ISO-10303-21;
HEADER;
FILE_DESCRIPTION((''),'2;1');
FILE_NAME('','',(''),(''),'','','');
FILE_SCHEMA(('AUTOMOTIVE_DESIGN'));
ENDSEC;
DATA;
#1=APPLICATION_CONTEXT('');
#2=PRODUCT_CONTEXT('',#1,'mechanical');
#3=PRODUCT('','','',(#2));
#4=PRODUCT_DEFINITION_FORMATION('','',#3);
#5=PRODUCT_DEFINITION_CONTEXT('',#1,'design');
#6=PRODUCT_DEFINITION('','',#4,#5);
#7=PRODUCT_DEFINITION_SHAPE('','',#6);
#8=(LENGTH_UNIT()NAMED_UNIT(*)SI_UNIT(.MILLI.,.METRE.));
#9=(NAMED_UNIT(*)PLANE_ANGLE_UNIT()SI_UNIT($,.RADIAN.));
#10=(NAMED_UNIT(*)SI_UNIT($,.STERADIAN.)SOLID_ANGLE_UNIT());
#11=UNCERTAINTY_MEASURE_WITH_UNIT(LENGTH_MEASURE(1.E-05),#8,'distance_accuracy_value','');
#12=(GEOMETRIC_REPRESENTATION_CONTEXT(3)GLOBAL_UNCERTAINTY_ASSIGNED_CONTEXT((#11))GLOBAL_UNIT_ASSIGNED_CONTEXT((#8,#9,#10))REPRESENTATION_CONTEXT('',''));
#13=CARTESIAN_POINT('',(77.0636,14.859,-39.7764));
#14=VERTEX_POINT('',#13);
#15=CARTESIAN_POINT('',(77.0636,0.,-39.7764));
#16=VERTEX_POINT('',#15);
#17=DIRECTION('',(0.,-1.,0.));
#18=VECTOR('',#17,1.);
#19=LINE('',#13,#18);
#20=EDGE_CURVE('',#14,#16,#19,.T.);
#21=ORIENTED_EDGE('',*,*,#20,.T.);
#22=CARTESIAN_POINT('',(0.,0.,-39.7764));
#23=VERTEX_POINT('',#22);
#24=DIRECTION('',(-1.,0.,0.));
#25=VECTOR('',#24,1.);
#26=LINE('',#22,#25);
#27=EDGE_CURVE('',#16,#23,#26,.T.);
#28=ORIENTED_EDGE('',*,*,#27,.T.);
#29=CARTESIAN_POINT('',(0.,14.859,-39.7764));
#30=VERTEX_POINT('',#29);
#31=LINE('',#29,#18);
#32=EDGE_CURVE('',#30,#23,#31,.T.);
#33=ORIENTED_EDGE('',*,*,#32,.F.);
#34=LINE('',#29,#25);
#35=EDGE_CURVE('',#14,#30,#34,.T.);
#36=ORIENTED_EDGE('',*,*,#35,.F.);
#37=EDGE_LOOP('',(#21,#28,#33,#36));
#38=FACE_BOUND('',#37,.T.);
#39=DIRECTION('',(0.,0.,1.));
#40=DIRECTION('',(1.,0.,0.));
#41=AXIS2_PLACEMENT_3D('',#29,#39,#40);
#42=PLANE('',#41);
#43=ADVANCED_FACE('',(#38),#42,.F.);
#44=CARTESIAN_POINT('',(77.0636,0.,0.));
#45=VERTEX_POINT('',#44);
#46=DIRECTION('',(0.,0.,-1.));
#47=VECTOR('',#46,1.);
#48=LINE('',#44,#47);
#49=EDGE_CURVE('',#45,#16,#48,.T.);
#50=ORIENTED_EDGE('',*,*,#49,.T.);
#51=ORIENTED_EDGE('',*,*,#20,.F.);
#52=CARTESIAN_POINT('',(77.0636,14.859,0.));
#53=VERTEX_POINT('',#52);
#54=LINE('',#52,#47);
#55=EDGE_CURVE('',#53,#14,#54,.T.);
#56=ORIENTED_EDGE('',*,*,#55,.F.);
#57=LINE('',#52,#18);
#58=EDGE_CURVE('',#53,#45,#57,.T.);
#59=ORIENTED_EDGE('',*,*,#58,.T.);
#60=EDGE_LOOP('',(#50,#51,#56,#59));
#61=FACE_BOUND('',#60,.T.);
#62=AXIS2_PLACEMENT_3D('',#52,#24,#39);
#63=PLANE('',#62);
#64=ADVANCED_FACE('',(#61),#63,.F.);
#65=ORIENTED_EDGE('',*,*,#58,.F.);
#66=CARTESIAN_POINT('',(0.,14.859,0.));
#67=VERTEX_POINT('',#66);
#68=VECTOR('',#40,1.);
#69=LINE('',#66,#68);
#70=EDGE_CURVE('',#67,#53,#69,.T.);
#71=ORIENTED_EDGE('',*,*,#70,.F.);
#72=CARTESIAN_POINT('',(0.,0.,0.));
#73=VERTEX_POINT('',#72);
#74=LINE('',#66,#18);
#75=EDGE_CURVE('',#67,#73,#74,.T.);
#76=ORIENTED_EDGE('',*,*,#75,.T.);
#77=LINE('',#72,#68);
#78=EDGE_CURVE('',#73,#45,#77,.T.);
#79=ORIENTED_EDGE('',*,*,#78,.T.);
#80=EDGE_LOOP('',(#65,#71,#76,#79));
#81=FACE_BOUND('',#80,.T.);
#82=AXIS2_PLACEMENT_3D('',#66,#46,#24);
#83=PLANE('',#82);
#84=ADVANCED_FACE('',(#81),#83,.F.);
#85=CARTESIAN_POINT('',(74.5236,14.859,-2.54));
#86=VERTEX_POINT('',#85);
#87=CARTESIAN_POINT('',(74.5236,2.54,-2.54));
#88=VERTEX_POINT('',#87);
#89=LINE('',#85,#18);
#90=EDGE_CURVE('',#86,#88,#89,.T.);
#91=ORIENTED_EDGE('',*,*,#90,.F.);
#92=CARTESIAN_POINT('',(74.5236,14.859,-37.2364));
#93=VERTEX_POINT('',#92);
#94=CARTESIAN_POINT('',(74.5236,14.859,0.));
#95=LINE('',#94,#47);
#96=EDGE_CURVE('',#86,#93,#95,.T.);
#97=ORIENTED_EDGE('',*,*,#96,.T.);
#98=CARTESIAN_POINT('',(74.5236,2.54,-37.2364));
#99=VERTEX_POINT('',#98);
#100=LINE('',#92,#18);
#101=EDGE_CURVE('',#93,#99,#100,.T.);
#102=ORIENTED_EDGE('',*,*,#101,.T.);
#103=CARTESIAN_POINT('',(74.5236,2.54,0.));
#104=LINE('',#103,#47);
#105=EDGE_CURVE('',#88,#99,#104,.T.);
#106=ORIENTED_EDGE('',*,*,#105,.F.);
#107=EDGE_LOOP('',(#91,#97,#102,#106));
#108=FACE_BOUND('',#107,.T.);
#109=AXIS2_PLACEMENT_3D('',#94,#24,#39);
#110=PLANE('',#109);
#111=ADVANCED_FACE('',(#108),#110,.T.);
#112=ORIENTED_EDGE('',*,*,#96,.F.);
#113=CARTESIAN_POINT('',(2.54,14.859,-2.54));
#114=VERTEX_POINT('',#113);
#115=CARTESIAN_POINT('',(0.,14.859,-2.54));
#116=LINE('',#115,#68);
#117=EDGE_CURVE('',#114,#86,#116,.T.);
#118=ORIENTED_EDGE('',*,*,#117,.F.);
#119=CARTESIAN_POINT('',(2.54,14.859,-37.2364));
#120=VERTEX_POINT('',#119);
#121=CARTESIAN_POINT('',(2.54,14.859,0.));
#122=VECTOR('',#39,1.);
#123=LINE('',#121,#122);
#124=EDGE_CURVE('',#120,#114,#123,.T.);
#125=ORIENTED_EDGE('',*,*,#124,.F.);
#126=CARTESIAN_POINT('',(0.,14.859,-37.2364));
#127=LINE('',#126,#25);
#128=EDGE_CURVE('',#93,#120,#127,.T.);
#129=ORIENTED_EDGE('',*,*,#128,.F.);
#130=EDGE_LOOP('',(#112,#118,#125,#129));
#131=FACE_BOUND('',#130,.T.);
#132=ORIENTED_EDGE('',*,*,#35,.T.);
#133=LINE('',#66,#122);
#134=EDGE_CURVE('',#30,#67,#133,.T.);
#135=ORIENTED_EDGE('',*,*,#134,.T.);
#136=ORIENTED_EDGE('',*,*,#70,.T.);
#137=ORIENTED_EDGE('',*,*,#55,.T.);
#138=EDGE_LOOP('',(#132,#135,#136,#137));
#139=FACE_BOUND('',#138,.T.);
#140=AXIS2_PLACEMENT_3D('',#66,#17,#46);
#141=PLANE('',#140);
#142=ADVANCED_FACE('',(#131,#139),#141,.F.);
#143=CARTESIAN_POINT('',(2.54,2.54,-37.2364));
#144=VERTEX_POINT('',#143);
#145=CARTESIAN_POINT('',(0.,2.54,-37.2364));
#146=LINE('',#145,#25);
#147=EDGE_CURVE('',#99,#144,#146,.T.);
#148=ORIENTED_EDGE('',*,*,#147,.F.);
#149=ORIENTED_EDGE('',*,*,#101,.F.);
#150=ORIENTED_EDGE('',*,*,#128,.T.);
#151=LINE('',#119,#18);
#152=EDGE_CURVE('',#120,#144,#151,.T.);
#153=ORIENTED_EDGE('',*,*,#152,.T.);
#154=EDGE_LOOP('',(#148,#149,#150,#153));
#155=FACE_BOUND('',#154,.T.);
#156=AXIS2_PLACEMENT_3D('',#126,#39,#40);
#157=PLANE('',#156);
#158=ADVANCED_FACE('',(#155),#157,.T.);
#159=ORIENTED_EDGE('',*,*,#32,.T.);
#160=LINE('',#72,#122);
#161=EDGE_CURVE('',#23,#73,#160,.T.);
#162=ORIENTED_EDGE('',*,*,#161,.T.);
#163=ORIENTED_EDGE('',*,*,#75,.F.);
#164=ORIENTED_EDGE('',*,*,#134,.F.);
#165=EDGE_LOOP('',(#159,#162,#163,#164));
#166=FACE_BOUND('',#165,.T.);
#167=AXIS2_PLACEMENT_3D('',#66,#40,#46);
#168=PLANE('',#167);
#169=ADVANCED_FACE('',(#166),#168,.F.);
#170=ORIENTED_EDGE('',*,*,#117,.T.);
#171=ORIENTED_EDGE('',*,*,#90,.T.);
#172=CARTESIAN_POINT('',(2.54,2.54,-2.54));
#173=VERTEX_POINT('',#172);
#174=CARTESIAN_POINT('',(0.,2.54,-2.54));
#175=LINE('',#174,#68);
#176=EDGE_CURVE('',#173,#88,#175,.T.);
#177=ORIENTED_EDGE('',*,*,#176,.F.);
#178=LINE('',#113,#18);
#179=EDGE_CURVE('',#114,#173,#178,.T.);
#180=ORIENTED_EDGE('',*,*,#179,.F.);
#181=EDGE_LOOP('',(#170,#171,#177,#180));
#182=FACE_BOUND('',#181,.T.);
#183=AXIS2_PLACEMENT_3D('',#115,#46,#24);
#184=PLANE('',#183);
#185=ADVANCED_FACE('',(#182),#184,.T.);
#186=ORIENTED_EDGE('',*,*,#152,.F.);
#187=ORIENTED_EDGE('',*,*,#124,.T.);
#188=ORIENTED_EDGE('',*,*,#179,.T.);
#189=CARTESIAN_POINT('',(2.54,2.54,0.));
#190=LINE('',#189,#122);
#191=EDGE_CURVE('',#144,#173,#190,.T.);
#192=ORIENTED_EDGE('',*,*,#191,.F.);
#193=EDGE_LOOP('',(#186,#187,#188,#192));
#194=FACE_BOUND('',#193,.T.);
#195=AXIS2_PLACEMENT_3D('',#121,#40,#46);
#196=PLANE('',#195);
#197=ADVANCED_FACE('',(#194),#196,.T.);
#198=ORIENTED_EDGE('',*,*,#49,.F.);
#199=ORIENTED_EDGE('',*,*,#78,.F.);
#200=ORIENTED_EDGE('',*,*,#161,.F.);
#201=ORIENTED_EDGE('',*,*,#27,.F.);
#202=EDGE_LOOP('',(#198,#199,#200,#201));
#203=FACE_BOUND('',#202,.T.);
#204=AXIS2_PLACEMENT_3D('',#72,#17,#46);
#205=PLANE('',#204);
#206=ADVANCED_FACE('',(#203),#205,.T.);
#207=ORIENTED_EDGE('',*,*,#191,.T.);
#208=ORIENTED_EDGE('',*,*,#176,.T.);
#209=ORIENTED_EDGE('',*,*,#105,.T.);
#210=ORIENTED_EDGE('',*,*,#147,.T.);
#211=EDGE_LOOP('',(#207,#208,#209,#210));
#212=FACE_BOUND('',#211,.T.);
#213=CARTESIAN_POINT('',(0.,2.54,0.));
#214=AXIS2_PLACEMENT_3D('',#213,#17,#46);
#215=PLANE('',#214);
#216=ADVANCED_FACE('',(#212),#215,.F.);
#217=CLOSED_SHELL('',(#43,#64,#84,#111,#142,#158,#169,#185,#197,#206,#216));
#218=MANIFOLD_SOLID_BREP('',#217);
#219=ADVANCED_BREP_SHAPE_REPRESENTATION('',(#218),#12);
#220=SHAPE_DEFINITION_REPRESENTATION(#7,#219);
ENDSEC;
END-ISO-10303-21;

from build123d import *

# Parameters (mm, degrees)
SKETCH1_W           = 77.0636
SKETCH1_H           = 39.7764
BOSS_EXTRUDE1_DEPTH = 14.859
SHELL1_T            = -2.54


with BuildPart() as part:
    # Sketch1 → Boss-Extrude1 (new body)
    with BuildSketch(Plane(origin=(0, 0, 0), x_dir=(1, 0, 0), z_dir=(0, 1, 0))):
        with Locations((38.5318, 19.8882)):
            Rectangle(SKETCH1_W, SKETCH1_H)
    extrude(amount=BOSS_EXTRUDE1_DEPTH)

    # Shell1
    shell1_openings = [part.faces().sort_by_distance(p)[0] for p in [
        (38.5318, 14.859, -19.8882),
    ]]
    offset(amount=SHELL1_T, openings=shell1_openings, kind=Kind.INTERSECTION)


solid = part.part
